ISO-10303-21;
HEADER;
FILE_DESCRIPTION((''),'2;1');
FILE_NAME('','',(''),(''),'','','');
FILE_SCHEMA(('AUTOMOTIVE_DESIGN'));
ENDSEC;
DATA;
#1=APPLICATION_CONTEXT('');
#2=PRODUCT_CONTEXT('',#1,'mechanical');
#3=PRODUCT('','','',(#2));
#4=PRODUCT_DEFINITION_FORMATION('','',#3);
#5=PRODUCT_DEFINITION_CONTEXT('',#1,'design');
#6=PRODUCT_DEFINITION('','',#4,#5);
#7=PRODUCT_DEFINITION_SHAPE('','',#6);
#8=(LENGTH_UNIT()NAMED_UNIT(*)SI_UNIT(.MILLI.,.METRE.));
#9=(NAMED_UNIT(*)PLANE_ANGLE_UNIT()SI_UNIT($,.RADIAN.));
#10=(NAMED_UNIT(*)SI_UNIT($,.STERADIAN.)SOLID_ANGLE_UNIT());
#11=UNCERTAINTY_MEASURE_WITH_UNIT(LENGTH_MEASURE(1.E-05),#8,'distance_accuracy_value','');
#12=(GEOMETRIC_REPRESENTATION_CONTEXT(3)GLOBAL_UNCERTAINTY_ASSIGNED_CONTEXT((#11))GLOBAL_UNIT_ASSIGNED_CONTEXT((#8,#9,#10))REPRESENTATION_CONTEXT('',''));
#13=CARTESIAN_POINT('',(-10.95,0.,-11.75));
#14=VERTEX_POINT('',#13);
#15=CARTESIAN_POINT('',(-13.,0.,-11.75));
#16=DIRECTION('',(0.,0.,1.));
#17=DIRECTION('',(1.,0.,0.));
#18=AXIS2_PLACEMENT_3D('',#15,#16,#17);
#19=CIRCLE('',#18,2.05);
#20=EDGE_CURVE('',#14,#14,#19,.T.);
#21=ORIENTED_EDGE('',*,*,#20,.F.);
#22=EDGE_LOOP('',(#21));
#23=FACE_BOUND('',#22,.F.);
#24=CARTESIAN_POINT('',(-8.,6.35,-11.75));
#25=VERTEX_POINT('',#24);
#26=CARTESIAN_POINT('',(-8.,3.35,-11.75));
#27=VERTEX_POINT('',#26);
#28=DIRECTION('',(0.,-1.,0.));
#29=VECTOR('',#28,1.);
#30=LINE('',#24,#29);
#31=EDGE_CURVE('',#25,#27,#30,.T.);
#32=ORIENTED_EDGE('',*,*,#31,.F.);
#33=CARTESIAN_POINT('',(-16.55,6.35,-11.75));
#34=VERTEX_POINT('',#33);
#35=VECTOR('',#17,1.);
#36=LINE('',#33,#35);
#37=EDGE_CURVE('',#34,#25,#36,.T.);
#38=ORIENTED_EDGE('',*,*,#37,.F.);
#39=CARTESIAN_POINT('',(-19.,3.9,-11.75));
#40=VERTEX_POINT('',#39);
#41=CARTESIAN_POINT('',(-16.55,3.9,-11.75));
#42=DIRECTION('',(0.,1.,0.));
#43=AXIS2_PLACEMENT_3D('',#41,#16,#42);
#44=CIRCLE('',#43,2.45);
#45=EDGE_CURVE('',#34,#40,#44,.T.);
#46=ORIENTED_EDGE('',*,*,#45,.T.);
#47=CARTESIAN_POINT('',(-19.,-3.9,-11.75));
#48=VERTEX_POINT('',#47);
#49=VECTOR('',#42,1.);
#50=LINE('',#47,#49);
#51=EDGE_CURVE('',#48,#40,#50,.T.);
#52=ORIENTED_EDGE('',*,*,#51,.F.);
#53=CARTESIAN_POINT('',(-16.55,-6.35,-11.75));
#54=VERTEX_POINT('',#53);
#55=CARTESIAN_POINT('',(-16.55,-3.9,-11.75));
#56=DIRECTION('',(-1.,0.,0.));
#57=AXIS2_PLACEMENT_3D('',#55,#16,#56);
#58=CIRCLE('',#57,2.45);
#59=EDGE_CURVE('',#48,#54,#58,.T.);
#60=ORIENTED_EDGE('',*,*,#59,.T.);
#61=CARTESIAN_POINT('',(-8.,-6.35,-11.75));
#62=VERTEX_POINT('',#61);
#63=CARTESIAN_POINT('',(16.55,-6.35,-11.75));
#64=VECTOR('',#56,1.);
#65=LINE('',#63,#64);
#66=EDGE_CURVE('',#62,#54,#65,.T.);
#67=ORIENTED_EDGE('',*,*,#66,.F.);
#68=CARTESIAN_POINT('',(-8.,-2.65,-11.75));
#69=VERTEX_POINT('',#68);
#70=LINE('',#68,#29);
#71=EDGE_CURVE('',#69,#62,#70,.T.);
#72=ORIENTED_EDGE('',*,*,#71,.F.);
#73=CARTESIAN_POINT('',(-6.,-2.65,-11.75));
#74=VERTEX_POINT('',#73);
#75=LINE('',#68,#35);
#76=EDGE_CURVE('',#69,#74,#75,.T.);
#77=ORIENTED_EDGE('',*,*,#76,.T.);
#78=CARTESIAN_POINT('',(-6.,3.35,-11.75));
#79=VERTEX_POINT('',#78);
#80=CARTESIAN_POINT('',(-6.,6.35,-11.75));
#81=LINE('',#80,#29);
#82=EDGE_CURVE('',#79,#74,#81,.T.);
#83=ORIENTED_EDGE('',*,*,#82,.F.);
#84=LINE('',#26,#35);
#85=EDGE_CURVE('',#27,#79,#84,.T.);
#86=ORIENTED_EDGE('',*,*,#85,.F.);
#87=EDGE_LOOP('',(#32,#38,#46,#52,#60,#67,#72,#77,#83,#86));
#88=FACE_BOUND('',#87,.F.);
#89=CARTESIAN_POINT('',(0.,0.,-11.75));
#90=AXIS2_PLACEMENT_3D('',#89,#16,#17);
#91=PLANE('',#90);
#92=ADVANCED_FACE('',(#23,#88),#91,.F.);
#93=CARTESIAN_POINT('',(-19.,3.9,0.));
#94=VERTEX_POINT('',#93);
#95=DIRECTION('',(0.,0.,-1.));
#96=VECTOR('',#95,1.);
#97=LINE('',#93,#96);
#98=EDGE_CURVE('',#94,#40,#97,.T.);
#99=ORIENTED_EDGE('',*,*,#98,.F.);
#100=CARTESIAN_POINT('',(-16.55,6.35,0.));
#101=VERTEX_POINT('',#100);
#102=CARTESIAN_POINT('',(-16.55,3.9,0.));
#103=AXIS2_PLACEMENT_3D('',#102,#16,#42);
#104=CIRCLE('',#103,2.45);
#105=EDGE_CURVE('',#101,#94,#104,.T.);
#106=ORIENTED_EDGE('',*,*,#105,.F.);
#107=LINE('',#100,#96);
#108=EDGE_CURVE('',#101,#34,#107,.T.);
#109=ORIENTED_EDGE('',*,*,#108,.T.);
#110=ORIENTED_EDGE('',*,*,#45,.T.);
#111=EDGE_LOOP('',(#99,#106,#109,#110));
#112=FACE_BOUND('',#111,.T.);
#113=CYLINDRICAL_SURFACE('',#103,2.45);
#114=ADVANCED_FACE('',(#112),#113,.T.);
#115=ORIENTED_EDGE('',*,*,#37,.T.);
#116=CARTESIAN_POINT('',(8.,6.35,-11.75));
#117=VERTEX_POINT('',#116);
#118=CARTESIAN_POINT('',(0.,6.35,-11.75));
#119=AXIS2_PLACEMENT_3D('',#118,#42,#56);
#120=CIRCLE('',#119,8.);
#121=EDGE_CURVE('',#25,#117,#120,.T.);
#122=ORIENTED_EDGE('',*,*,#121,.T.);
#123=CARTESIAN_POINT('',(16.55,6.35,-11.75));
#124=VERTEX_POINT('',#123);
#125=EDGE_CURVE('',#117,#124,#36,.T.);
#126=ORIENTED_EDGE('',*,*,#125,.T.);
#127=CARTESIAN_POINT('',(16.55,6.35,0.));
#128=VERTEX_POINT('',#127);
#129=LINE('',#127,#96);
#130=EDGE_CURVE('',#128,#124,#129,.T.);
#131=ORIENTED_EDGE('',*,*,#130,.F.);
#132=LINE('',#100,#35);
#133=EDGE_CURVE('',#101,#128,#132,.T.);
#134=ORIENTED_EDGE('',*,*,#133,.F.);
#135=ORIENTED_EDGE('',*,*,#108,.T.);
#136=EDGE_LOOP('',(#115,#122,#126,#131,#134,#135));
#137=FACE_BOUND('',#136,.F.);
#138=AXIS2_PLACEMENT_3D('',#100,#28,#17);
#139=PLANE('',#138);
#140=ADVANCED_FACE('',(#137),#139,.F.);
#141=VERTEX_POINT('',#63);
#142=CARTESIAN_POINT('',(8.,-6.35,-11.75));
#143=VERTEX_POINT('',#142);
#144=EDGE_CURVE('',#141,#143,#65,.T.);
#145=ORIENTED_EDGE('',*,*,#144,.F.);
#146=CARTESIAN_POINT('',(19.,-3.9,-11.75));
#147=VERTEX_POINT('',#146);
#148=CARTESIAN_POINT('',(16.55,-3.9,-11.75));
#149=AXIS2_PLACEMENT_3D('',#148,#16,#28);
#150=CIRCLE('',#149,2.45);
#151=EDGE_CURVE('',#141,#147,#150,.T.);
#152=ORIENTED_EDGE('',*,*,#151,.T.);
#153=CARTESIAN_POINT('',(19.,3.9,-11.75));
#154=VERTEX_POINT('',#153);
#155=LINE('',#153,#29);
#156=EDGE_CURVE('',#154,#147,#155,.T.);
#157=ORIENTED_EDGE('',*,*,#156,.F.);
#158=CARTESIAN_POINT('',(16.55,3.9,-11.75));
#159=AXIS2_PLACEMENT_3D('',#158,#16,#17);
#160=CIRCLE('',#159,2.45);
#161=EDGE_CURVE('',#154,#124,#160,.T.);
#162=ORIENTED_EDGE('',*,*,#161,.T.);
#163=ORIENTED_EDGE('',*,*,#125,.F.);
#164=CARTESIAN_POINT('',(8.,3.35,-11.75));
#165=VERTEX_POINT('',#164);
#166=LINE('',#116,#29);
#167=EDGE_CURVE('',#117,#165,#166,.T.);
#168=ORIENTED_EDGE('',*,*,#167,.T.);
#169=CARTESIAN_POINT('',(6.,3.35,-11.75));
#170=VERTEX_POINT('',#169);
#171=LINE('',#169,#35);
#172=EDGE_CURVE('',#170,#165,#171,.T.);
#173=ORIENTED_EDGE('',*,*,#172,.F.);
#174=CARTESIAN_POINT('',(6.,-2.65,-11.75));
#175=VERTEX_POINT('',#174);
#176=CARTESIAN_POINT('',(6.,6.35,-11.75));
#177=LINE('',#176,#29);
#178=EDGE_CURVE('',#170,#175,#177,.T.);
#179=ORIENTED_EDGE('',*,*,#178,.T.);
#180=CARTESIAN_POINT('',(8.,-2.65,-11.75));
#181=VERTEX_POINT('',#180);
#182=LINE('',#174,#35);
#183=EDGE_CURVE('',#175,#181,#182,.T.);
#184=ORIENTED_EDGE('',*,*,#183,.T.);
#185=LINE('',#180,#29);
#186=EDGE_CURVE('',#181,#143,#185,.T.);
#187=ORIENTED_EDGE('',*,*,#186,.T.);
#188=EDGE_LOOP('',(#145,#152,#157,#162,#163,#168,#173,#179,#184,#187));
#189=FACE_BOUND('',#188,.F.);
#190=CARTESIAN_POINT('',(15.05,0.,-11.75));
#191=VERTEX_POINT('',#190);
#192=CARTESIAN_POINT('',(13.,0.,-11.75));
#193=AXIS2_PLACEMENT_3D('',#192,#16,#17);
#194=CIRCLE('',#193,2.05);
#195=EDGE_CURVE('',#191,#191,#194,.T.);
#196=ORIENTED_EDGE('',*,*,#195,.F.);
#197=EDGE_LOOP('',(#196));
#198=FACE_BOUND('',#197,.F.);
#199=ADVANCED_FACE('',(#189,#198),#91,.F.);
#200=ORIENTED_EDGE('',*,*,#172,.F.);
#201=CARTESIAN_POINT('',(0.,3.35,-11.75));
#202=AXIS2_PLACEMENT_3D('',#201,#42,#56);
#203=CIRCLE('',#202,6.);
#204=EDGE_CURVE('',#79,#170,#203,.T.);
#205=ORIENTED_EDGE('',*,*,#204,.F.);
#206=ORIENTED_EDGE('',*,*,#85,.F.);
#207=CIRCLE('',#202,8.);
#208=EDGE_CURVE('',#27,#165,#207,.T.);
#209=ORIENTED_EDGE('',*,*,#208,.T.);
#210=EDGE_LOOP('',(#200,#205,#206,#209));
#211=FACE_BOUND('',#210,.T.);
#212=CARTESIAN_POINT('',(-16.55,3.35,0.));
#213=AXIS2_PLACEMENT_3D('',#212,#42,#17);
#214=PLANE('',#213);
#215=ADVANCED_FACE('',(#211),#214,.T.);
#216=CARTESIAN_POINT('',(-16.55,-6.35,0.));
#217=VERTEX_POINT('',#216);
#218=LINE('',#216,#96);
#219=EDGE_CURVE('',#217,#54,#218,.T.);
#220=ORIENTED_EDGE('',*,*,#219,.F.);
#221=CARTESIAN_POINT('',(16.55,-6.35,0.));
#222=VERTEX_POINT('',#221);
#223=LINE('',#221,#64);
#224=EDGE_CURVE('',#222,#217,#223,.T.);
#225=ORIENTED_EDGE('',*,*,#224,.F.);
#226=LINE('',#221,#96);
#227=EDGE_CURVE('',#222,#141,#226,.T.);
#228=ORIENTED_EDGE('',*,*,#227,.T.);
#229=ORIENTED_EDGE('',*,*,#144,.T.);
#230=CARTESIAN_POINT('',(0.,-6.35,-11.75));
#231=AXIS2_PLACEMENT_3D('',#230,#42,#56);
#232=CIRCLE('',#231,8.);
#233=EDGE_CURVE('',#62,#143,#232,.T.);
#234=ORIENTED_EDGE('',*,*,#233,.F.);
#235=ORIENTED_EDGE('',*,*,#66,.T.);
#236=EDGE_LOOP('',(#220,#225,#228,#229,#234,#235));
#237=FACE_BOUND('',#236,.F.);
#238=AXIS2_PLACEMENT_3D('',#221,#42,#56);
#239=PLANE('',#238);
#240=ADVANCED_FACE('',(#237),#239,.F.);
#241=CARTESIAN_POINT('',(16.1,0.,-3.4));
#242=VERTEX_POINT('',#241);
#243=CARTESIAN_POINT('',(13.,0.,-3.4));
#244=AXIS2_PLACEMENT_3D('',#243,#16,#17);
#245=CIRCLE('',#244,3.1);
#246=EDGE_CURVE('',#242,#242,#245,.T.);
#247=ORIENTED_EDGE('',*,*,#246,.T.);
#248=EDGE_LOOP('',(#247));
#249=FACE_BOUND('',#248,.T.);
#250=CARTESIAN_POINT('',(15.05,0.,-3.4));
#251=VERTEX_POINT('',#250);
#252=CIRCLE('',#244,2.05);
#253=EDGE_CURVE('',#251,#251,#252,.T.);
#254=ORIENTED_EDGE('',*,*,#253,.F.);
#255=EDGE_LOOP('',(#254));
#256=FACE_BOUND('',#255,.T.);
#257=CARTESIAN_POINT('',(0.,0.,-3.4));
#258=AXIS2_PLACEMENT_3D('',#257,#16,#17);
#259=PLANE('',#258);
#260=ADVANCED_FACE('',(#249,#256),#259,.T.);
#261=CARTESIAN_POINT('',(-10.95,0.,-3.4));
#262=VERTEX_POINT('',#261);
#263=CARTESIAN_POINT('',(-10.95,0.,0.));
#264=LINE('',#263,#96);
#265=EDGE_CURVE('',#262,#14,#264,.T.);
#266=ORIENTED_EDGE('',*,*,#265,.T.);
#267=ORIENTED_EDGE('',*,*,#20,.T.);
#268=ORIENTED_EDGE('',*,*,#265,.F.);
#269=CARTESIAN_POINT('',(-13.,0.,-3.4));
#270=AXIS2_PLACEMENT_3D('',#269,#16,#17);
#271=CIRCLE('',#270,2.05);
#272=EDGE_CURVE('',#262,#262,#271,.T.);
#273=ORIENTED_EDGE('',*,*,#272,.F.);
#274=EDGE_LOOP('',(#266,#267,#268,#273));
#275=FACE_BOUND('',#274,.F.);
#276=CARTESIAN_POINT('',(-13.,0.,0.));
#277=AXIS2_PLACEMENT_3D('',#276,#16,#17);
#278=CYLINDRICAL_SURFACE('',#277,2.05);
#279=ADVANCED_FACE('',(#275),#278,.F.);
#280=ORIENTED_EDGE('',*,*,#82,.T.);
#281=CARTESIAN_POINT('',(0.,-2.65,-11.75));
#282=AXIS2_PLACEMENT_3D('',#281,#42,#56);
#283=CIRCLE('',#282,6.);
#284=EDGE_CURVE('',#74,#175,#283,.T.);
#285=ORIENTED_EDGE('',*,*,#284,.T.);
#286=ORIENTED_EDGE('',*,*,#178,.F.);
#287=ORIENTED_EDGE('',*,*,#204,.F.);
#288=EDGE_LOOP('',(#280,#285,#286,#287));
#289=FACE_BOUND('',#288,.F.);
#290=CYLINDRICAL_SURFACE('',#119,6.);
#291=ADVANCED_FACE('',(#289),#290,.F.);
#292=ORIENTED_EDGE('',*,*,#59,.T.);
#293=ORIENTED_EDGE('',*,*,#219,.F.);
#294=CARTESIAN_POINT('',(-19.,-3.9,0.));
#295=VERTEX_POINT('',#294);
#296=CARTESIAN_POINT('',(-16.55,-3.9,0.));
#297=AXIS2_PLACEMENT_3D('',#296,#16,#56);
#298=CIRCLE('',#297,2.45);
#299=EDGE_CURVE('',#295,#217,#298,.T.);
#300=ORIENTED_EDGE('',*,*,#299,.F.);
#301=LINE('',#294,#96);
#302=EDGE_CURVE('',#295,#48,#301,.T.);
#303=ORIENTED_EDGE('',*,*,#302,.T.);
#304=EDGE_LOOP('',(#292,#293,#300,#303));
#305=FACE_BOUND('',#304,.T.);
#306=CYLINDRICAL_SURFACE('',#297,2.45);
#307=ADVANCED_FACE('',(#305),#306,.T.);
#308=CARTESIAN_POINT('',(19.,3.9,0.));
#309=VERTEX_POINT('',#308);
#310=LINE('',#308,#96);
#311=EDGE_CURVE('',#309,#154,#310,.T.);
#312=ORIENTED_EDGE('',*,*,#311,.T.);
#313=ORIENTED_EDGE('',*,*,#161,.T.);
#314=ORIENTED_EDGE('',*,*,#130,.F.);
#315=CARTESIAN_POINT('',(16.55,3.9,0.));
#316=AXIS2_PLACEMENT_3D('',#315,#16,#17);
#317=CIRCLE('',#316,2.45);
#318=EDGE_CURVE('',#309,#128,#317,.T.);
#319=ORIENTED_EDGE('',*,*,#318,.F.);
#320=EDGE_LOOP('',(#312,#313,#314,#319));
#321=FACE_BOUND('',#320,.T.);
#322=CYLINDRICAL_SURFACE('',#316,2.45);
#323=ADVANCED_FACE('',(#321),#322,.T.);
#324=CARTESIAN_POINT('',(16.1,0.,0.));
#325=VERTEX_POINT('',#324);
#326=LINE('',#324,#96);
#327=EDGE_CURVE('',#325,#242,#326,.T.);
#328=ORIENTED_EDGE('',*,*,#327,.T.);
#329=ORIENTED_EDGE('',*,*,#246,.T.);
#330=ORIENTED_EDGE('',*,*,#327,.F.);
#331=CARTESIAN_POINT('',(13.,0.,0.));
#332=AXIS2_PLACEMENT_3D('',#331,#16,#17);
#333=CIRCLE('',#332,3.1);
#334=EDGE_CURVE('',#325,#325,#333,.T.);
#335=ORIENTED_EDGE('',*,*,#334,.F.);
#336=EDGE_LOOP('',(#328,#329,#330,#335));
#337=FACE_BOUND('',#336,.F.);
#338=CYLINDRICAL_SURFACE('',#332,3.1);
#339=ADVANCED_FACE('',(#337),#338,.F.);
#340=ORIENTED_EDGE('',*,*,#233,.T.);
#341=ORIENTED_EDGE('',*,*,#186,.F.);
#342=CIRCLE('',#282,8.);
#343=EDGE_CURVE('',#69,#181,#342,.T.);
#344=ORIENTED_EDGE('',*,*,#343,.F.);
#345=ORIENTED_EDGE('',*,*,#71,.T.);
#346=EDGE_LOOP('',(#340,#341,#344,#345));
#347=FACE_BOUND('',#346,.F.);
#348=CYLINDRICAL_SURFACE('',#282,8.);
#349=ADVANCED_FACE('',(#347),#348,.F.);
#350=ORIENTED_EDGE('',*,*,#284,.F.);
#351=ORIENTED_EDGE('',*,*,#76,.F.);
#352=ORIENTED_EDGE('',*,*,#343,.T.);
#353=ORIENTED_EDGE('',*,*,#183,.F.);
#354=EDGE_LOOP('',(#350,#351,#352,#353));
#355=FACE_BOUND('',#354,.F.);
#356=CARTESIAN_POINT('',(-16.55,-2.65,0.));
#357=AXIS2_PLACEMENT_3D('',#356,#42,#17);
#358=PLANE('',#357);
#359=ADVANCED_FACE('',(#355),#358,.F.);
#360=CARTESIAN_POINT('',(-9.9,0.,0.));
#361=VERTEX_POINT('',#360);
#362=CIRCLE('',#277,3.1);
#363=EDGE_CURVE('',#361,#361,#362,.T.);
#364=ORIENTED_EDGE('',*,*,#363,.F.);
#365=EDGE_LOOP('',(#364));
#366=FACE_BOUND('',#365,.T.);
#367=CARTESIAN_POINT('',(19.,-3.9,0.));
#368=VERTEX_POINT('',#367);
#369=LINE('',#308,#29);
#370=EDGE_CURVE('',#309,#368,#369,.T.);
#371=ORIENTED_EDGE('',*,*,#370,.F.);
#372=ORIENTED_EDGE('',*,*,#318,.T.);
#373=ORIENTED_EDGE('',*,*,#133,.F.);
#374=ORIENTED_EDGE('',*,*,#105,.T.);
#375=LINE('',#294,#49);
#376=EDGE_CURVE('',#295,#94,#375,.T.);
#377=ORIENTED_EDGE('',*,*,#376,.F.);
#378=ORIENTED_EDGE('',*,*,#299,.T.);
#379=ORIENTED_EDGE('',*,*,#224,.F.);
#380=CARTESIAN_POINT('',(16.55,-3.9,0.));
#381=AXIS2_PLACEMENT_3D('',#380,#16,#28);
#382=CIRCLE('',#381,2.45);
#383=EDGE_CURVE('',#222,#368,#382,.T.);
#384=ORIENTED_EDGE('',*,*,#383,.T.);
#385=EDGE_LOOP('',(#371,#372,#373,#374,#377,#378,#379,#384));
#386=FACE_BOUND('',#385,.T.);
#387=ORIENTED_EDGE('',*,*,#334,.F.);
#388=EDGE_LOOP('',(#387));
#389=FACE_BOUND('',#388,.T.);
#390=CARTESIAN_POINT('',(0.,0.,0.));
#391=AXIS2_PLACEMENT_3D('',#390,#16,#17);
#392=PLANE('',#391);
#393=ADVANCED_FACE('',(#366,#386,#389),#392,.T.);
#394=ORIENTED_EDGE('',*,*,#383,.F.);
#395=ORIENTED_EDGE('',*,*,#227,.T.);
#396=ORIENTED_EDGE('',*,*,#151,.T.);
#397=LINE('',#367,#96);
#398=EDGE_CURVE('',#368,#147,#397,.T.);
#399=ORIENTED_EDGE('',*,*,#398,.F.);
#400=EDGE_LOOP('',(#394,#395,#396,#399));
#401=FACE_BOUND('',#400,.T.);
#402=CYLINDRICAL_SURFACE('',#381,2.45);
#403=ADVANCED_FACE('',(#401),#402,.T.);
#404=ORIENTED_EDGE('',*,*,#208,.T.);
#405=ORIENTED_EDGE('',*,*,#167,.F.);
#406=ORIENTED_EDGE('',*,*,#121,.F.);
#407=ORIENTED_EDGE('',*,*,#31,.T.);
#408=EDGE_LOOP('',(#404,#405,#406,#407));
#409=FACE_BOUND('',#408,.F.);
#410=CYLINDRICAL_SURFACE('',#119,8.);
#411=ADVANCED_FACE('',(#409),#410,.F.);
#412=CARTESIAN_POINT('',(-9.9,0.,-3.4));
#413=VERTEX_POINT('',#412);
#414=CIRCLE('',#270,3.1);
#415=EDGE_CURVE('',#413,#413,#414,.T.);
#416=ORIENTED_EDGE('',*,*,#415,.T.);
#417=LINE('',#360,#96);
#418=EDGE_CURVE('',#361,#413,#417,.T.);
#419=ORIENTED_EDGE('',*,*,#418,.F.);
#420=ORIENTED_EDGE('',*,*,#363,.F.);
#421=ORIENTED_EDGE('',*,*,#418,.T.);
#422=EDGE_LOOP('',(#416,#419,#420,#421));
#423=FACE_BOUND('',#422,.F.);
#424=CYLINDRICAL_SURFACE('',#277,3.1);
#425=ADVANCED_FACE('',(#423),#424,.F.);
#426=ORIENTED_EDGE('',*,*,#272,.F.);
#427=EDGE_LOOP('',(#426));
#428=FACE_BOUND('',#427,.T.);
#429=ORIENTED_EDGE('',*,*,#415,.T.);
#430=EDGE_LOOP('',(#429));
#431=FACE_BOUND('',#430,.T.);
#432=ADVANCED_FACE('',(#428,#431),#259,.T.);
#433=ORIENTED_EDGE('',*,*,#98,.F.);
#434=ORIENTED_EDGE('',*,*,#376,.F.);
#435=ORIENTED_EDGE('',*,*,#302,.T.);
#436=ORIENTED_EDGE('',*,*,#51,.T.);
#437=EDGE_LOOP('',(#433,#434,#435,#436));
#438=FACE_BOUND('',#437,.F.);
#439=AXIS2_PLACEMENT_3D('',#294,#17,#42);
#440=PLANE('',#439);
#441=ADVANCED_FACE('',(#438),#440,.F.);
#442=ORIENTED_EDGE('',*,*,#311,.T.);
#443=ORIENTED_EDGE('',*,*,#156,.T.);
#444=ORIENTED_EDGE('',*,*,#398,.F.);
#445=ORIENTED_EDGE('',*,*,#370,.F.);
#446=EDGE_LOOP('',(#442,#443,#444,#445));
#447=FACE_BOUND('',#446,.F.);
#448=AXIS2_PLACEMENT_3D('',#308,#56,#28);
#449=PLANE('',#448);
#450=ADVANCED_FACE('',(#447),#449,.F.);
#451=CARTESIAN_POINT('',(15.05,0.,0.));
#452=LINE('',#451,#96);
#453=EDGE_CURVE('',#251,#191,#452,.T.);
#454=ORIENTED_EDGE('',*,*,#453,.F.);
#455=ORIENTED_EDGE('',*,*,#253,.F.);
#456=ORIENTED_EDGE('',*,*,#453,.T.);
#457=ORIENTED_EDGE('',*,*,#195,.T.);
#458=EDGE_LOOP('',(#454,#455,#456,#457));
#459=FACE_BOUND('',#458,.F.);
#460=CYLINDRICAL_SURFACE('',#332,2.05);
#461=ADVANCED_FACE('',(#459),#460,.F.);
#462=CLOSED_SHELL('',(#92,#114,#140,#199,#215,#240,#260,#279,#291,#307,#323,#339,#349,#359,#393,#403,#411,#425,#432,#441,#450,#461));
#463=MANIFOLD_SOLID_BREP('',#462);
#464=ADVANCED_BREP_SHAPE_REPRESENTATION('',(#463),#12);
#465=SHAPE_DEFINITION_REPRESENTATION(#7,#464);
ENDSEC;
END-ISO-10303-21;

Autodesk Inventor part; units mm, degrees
ref_plane "YZ Plane" through (0, 0, 0) normal (1, 0, 0) x (0, 1, 0)
ref_plane "XZ Plane" through (0, 0, 0) normal (0, 1, 0) x (-1, 0, 0)
ref_plane "XY Plane" through (0, 0, 0) normal (0, 0, 1) x (1, 0, 0)
sketch "Base Sketch" plane through (0, 0, 0) normal (0, 0, 1) x (1, 0, 0)
  line L0 (-16.55, 6.35) -> (16.55, 6.35)
  line L1 (19, 3.9) -> (19, -3.9)
  line L2 (16.55, -6.35) -> (-16.55, -6.35)
  line L3 (-19, -3.9) -> (-19, 3.9)
  line L4 (0, 9.6004) -> (0, -9.6004) construction
  line L5 (-27.3104, 0) -> (27.3104, 0) construction
  arc A0 (19, 3.9) -> (16.55, 6.35) centre (16.55, 3.9) ccw
  arc A1 (-16.55, 6.35) -> (-19, 3.9) centre (-16.55, 3.9) ccw
  arc A2 (-19, -3.9) -> (-16.55, -6.35) centre (-16.55, -3.9) ccw
  arc A3 (16.55, -6.35) -> (19, -3.9) centre (16.55, -3.9) ccw
  point P0 (0, 0)
  point P1 (19, -6.35)
  point P2 (-19, -6.35)
  point P3 (0, 6.35)
  point P4 (19, 0)
  dimension "d0" = 38
  dimension "d2" = 2.45
  dimension "d3" = 12.7
extrude "Base Extrusion (11.75)" add sketch "Base Sketch" against normal blind 11.75
sketch "Screw Holes Sketch" plane through (0, 0, 0) normal (0, 0, 1) x (1, 0, 0)
  line L0 (0, 8.89) -> (0, -8.89) construction
  line L1 (-26.6, 0) -> (26.6, 0) construction
  circle A0 centre (-13, 0) radius 2.05
  circle A1 centre (-13, 0) radius 3.1
  circle A2 centre (13, 0) radius 2.05
  circle A3 centre (13, 0) radius 3.1
  point P0 (0, 0)
  dimension "d6" = 4.1
  dimension "d7" = 13
  dimension "d8" = 6.2
extrude "Screw Holes Extrusion (To)" cut sketch "Screw Holes Sketch" against normal up to surface (11.75 mm away) contours A0 | A2
extrude "Screw Counterbores Extrusion (3.4)" cut sketch "Screw Holes Sketch" against normal blind 3.4
sketch "Heatsink Arcs Sketch" plane through (-16.55, 6.35, 0) normal (0, 1, 0) x (1, 0, 0)
  arc A0 (10.55, 11.75) -> (22.55, 11.75) centre (16.55, 11.75) ccw
  arc A1 (8.55, 11.75) -> (24.55, 11.75) centre (16.55, 11.75) ccw
  line L0 (8.55, 11.75) -> (10.55, 11.75)
  line L1 (22.55, 11.75) -> (24.55, 11.75)
  line L2 (10.55, 11.75) -> (22.55, 11.75)
  point P0 (16.55, 0)
  dimension "d13" = 6
  dimension "d14" = 8
extrude "Top Outer Arc Extrusion (3)" cut sketch "Heatsink Arcs Sketch" against normal blind 3 contours A0 L1 A1 L0
extrude "Inner Arc Extrusion (Through)" cut sketch "Heatsink Arcs Sketch" against normal up to surface (12.7 mm away) contours L2 A0
ref_plane "Lower Outer Arc Plane (9)" through (-16.55, -2.65, 0) normal (0, 1, 0) x (1, 0, 0)
sketch "Sketch4" plane through (-16.55, -2.65, 0) normal (0, 1, 0) x (1, 0, 0)
  arc A0 (8.55, 11.75) -> (24.55, 11.75) centre (16.55, 11.75) ccw projected
  arc A1 (10.55, 11.75) -> (22.55, 11.75) centre (16.55, 11.75) ccw projected
  line L0 (22.55, 11.75) -> (24.55, 11.75) projected
  line L1 (8.55, 11.75) -> (10.55, 11.75) projected
  point P0 (16.55, 0)
extrude "Bottom Outer Arc Extrusion (3.7)" cut sketch "Sketch4" against normal up to surface (3.7 mm away)
properties part number "e3D_V6_Bowden_Clamp_01"
